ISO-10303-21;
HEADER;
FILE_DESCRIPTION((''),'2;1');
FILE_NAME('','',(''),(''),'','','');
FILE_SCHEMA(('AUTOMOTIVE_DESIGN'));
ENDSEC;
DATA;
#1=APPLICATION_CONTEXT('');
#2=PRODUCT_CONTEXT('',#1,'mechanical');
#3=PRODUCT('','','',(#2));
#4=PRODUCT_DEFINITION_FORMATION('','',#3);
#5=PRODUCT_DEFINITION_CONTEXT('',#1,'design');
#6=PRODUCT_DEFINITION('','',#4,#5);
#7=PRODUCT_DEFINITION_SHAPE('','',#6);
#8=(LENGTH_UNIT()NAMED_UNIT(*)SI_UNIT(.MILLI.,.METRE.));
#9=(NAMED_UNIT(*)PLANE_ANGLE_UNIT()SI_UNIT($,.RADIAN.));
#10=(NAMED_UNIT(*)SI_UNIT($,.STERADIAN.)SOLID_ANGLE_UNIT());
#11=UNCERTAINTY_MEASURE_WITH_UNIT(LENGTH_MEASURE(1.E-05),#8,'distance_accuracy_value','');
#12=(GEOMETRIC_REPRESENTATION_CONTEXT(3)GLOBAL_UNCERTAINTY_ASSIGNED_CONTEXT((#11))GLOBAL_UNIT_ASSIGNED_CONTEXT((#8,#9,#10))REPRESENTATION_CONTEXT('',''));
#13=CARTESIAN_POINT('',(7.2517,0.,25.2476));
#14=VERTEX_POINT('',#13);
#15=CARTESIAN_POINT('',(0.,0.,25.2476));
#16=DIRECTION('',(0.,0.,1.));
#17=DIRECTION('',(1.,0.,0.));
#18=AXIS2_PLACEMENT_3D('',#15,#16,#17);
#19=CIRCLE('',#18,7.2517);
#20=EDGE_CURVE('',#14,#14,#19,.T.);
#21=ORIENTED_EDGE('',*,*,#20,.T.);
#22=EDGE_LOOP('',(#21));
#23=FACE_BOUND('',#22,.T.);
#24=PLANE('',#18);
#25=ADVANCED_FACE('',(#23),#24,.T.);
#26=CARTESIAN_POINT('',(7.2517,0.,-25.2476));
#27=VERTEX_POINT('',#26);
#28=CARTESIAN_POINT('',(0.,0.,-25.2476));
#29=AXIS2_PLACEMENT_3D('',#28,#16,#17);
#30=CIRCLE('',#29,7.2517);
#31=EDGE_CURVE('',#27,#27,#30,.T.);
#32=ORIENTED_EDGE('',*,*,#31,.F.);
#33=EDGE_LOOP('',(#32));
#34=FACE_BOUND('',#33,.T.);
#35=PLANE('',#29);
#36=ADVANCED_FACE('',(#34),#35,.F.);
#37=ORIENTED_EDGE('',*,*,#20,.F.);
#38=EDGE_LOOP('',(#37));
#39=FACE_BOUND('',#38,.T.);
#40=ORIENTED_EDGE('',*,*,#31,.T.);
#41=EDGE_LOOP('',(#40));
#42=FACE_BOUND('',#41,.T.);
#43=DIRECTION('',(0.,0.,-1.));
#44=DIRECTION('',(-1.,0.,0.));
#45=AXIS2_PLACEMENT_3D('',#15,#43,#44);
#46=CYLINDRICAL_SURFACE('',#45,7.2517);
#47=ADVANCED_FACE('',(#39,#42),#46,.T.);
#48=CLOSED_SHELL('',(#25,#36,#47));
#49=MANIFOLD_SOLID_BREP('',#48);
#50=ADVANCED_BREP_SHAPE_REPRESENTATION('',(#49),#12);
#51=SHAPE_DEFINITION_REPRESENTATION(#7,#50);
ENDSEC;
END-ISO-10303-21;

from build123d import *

# Parameters (mm, degrees)
SKETCH1_R           = 7.2517
BOSS_EXTRUDE1_DEPTH = 25.2476


with BuildPart() as part:
    # Sketch1 → Boss-Extrude1 (new body, symmetric)
    with BuildSketch(Plane.XY):
        Circle(SKETCH1_R)
    extrude(amount=BOSS_EXTRUDE1_DEPTH, both=True)


solid = part.part
